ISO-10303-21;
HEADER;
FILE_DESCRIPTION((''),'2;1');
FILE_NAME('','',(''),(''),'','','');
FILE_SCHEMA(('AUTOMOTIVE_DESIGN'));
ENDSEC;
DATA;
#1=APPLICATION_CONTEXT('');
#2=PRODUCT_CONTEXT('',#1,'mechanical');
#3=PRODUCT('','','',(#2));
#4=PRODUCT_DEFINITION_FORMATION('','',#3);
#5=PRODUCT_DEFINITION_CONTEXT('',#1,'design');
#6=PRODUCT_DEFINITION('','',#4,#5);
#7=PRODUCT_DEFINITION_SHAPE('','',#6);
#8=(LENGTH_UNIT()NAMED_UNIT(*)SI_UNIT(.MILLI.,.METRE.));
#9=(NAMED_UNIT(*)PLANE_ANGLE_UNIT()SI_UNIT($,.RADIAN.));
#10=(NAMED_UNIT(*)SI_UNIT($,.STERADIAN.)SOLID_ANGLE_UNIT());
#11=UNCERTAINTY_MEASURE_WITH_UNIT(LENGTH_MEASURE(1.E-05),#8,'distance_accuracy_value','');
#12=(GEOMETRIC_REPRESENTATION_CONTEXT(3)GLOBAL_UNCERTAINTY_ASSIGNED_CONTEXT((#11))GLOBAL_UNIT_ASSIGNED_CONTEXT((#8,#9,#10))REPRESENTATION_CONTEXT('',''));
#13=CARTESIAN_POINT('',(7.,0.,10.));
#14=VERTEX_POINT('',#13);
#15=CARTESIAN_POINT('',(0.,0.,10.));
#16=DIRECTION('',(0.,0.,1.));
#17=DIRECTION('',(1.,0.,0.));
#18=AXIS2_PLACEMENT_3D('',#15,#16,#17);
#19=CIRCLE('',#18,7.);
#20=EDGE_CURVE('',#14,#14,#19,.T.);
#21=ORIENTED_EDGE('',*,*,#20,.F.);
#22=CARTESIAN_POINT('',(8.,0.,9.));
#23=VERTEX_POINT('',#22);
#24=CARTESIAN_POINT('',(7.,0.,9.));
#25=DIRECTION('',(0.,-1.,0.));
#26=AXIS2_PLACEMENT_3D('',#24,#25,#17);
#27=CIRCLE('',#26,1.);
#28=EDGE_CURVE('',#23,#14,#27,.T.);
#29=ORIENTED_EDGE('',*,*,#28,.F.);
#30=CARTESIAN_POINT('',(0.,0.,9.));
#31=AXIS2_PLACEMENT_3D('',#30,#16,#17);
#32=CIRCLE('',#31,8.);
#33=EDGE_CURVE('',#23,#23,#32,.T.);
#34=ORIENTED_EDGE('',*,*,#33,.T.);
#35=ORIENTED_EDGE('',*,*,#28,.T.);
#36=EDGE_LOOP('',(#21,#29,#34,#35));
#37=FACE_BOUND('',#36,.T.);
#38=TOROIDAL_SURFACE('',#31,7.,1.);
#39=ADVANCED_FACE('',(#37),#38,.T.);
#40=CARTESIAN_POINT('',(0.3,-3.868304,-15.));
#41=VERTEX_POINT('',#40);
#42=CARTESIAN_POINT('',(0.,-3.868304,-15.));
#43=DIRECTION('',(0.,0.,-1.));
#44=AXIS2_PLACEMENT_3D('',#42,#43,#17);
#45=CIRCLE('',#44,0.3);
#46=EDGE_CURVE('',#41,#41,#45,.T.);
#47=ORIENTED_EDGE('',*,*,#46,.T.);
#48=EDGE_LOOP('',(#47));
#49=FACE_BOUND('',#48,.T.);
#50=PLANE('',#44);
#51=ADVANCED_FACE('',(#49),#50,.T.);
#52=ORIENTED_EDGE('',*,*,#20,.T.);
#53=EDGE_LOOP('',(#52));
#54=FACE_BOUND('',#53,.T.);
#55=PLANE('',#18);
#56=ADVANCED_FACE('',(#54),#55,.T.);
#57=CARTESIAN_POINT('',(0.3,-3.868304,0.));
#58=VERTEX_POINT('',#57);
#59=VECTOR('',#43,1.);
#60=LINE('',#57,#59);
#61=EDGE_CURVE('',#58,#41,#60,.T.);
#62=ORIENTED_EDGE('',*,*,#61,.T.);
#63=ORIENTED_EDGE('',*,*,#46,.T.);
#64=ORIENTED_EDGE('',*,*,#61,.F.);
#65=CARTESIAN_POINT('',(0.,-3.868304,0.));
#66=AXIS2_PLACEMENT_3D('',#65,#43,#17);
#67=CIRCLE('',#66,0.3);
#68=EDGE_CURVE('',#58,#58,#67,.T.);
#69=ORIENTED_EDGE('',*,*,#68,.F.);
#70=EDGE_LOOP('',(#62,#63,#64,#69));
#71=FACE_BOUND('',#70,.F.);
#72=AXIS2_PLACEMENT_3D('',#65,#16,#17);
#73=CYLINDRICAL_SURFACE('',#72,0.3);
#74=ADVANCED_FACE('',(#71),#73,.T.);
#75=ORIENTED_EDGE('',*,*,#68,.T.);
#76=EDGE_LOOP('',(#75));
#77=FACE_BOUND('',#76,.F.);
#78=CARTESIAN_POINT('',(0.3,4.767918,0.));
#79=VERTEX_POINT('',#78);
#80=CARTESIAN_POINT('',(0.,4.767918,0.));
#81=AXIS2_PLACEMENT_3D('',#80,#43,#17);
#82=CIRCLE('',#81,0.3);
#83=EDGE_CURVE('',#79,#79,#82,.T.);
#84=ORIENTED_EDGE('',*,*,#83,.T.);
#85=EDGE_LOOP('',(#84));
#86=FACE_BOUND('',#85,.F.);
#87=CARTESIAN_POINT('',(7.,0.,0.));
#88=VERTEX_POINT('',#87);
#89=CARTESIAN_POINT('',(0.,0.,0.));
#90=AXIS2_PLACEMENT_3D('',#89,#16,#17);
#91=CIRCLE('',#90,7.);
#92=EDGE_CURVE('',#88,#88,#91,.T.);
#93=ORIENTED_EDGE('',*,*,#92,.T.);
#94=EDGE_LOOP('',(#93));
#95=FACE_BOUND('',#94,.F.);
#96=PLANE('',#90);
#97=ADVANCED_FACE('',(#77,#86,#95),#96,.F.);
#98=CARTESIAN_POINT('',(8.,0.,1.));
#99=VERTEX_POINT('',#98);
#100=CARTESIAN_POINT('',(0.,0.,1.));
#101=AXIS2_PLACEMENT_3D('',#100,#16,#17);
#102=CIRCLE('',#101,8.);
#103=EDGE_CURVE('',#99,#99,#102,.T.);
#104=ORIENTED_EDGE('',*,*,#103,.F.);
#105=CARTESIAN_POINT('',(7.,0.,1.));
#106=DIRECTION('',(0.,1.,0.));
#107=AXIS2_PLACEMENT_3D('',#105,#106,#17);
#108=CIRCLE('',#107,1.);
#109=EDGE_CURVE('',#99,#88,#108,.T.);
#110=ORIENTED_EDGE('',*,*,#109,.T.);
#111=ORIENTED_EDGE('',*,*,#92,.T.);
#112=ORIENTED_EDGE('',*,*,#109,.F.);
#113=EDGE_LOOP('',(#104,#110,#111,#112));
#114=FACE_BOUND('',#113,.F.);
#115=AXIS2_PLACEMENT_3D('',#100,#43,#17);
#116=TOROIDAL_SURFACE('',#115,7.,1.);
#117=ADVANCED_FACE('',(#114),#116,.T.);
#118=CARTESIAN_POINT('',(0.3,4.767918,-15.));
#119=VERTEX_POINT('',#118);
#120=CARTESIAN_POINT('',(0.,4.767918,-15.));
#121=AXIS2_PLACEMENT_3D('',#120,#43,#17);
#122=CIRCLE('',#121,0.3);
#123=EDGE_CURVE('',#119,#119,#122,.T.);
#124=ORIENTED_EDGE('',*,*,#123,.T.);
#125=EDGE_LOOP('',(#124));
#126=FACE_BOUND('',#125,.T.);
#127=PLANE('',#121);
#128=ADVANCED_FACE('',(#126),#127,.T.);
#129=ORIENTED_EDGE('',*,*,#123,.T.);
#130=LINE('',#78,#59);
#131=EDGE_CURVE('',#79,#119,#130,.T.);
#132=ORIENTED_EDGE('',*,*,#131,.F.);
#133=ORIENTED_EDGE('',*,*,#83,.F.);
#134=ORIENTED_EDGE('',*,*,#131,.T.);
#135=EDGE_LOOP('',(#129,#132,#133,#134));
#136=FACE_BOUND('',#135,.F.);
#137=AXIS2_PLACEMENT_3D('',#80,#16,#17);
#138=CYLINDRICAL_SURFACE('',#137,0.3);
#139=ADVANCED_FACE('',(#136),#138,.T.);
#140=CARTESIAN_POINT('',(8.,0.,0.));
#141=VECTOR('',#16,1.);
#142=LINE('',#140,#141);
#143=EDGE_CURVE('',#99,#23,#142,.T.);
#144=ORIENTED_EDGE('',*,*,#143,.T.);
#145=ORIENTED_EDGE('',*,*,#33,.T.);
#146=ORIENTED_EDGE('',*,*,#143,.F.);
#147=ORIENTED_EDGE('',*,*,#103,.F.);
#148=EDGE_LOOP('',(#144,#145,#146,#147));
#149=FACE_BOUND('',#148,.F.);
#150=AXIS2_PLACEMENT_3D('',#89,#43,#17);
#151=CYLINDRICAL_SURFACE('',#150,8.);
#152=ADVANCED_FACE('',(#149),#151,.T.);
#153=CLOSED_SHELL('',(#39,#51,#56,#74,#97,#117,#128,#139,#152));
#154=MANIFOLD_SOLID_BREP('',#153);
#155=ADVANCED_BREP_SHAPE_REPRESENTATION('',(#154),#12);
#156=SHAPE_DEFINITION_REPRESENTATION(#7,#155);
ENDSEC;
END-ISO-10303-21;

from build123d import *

# Parameters (mm, degrees)
F0_R     = 8
F1_DEPTH = 10
F2_R     = 0.3
F3_DEPTH = 15
F4_R     = 1


with BuildPart() as f1:
    # F0 (on Top) → F1 (new body)
    with BuildSketch(Plane.XY):
        Circle(F0_R)
    extrude(amount=F1_DEPTH)

    # F2 (on face) → F3 (join)
    with BuildSketch(Plane(origin=(0, 0, 0), x_dir=(1, 0, 0), z_dir=(0, 0, -1))):
        with Locations((0, 3.868304)):
            Circle(F2_R)
        with Locations((0, -4.767918)):
            Circle(F2_R)
    extrude(amount=F3_DEPTH)

    # F4
    f4_edges = [f1.edges().sort_by_distance(p)[0] for p in [
        (-8, 0, 10),
        (-8, 0, 0),
    ]]
    fillet(f4_edges, radius=F4_R)


solid = f1.part
